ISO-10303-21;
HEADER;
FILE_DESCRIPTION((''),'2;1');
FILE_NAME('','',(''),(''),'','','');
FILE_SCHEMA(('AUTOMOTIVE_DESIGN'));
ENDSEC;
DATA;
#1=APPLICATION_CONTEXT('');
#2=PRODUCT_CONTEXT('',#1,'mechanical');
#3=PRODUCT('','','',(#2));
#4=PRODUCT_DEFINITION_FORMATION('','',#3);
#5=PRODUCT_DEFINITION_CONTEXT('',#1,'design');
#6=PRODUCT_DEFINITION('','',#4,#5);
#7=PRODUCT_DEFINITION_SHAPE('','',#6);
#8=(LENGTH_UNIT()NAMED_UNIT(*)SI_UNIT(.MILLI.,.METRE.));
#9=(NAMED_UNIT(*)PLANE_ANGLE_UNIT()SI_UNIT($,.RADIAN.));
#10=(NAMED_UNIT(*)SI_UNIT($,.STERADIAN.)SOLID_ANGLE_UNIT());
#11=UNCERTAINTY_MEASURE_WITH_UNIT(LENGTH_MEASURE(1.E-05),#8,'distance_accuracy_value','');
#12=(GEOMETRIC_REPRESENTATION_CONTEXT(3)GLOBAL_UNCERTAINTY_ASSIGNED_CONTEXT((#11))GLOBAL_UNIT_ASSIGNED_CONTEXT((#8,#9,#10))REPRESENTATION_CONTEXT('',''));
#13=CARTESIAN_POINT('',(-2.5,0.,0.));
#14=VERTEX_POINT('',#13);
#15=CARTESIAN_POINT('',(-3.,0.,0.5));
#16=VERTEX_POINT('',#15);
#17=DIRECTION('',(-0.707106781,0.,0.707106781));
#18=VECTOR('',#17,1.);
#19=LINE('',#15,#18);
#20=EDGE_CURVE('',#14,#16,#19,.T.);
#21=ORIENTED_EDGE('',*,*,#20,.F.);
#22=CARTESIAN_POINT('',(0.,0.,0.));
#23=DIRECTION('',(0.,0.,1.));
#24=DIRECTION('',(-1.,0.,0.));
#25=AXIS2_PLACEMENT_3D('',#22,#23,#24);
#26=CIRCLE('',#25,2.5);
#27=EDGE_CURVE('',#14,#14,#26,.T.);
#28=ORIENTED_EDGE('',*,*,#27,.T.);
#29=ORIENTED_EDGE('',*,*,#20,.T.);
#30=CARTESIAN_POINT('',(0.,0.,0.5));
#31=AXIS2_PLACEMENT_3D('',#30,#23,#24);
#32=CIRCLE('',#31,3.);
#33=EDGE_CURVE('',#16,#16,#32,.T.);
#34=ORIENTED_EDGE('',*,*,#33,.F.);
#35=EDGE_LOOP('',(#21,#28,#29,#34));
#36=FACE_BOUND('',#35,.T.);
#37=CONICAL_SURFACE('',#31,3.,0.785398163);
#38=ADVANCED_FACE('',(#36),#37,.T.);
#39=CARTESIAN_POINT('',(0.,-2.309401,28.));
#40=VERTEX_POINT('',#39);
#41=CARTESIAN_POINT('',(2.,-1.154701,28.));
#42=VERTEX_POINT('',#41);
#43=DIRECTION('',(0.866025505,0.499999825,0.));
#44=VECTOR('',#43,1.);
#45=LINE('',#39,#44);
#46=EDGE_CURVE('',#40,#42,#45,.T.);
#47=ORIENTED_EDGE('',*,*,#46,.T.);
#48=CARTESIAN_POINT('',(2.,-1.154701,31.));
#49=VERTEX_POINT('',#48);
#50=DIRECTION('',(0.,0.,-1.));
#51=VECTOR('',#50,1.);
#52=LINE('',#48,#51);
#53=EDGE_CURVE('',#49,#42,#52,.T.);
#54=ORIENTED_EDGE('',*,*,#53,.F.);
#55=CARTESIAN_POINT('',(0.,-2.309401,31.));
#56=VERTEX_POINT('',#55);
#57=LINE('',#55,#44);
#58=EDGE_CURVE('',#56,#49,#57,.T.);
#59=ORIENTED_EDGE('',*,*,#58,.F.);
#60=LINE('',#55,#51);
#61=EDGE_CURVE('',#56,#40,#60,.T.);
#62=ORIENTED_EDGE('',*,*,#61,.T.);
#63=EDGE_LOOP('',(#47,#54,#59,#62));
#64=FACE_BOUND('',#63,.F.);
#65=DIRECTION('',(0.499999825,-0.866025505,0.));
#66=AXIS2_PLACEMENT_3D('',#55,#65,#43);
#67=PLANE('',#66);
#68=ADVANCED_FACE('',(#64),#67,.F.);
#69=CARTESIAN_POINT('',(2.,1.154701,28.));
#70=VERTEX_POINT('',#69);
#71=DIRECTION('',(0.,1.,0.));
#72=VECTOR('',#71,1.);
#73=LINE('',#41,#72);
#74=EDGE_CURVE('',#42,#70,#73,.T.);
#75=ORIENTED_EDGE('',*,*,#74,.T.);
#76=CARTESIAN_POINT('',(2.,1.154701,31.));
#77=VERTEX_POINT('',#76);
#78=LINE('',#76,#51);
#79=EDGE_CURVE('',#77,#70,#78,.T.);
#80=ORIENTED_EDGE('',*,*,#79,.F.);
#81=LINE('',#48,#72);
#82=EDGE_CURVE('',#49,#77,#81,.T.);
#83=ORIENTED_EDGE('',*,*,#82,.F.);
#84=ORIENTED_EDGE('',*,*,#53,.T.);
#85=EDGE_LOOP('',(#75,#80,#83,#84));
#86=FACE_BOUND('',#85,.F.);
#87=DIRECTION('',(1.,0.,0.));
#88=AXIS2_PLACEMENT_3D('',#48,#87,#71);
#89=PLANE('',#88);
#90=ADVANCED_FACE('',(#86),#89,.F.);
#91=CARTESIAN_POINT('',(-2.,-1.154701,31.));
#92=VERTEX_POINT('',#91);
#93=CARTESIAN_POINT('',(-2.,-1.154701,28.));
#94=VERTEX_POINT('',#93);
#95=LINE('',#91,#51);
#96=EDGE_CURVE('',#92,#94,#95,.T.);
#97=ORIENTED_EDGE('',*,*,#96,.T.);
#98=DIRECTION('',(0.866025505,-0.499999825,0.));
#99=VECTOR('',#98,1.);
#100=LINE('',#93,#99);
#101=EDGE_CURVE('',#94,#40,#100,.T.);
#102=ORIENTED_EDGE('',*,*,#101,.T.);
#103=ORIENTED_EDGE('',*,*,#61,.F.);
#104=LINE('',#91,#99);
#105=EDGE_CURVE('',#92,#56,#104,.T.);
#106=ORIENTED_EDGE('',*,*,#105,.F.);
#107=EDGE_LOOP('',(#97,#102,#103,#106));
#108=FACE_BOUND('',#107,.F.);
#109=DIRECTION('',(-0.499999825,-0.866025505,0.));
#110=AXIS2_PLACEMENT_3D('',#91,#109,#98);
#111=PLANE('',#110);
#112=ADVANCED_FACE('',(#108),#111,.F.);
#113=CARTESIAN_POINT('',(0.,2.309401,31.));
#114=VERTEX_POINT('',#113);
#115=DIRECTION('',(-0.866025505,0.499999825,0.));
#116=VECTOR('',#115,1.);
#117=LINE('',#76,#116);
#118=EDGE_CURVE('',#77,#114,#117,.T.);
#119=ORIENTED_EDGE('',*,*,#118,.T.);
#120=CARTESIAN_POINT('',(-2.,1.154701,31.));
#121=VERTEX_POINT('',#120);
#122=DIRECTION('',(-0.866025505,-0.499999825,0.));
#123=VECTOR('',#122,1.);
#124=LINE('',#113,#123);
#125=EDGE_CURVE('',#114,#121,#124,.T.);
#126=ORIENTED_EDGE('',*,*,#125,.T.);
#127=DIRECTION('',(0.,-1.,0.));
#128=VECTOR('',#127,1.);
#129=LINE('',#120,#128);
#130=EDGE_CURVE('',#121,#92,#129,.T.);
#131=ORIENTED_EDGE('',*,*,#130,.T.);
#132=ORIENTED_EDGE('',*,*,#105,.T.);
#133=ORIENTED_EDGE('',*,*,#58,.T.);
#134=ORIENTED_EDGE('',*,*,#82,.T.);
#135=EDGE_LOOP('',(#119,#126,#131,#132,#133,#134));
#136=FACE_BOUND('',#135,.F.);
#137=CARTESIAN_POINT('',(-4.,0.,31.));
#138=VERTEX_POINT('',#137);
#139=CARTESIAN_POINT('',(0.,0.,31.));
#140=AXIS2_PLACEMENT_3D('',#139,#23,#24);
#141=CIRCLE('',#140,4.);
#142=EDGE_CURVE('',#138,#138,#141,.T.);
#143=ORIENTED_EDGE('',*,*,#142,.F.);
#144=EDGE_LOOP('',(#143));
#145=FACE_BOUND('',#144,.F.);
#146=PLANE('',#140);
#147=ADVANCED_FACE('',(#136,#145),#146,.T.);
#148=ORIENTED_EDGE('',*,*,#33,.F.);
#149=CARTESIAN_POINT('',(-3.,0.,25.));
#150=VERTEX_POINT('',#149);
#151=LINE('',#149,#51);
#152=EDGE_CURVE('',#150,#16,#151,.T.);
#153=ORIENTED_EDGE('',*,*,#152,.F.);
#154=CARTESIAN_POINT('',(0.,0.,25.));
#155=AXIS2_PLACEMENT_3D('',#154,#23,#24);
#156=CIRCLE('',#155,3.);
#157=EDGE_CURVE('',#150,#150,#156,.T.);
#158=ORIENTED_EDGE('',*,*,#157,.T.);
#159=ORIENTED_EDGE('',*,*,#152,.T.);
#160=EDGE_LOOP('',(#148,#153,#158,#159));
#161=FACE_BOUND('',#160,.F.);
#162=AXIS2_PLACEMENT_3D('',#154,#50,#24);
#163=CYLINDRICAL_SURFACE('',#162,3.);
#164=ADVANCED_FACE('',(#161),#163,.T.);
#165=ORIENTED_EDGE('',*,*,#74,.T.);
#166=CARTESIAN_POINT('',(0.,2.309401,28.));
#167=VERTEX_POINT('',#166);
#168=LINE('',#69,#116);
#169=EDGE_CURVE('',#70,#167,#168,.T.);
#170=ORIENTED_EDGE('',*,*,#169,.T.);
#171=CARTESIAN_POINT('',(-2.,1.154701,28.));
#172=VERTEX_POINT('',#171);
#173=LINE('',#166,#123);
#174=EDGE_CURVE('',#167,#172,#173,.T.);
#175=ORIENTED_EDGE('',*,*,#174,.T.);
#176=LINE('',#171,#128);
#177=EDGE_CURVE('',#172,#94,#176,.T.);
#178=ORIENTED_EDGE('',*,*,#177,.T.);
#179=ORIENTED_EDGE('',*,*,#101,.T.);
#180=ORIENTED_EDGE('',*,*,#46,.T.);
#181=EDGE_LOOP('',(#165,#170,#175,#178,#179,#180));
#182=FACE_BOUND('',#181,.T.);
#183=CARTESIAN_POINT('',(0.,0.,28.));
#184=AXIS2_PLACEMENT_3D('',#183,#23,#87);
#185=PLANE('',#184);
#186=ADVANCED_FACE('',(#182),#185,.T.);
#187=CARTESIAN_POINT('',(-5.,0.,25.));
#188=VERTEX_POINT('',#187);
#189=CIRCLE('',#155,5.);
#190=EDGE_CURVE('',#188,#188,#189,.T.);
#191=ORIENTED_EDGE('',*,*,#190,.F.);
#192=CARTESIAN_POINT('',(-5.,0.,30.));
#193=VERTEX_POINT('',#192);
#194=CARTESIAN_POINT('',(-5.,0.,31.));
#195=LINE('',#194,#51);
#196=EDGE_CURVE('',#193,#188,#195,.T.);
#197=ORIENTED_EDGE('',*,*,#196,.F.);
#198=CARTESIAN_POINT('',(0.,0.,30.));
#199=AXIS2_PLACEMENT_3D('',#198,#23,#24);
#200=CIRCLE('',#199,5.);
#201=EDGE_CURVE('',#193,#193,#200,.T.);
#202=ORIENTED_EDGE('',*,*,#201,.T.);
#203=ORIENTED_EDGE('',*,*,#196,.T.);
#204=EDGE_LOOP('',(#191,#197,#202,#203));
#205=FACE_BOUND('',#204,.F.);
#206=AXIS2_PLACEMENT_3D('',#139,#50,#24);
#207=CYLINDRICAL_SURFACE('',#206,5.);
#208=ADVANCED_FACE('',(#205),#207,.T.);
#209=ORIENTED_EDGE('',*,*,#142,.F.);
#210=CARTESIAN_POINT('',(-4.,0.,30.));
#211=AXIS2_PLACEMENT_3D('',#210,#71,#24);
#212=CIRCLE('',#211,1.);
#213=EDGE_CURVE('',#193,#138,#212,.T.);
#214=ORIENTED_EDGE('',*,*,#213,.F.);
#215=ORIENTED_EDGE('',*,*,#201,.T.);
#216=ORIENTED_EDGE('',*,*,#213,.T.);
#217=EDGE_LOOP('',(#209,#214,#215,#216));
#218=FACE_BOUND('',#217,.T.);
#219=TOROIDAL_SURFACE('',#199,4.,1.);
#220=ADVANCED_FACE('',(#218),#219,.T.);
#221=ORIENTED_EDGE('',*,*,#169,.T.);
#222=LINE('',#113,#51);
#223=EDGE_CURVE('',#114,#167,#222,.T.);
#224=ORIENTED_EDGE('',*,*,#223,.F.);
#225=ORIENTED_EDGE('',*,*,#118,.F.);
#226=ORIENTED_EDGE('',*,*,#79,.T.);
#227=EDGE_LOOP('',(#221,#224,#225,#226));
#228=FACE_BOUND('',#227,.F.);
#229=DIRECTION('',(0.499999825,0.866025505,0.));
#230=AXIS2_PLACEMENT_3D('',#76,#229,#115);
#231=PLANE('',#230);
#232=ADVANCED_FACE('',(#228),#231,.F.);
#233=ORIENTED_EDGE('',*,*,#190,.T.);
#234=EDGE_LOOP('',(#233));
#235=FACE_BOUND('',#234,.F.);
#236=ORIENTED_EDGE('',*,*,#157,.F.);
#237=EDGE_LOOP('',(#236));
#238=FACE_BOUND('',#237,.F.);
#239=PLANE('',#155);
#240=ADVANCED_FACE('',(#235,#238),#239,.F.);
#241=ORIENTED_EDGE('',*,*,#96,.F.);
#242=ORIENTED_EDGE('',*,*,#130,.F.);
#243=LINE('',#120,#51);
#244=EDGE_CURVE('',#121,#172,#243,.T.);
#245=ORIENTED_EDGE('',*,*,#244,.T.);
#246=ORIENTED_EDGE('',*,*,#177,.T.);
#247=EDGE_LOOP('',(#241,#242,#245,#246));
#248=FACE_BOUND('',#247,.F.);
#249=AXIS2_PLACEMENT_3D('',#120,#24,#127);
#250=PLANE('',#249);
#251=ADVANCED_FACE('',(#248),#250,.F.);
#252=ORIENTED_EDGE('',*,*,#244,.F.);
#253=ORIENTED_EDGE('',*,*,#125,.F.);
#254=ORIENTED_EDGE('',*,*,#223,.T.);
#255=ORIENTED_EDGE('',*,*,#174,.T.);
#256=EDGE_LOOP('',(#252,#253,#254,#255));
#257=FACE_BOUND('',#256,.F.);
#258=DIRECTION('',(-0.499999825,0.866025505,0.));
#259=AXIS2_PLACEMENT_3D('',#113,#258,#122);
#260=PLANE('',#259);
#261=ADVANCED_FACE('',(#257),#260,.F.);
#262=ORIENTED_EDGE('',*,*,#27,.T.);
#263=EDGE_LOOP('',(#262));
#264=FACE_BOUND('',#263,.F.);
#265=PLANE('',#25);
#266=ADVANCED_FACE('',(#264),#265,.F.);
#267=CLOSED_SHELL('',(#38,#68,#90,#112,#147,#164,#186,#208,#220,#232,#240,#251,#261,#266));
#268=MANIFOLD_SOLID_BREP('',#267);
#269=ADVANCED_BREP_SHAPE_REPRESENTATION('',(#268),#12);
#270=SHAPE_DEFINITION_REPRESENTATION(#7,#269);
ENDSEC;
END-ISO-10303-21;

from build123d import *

# Parameters (mm, degrees)
F2_SIZE  = 0.5
F3_R     = 1
F5_DEPTH = 3


with BuildPart() as f1:
    # F0 (on Front) → F1 (revolve)
    with BuildSketch(Plane.XZ):
        Polygon((-3, 0), (0, 0), (0, 31), (-5, 31), (-5, 25), (-3, 25), align=None)
    revolve(axis=Axis((0, 0, 15.604191), (0, 0, 1)))

    # F2
    f2_edges = [f1.edges().sort_by_distance(p)[0] for p in [
        (3, 0, 0),
    ]]
    chamfer(f2_edges, length=F2_SIZE)

    # F3
    f3_edges = [f1.edges().sort_by_distance(p)[0] for p in [
        (5, 0, 31),
    ]]
    fillet(f3_edges, radius=F3_R)

    # F4 (on face) → F5 (cut)
    with BuildSketch(Plane.XY.offset(31)):
        Polygon((-2, 1.154701), (-2, -1.154701), (0, -2.309401), (2, -1.154701), (2, 1.154701), (0, 2.309401), align=None)
    extrude(amount=-F5_DEPTH, mode=Mode.SUBTRACT)


solid = f1.part
